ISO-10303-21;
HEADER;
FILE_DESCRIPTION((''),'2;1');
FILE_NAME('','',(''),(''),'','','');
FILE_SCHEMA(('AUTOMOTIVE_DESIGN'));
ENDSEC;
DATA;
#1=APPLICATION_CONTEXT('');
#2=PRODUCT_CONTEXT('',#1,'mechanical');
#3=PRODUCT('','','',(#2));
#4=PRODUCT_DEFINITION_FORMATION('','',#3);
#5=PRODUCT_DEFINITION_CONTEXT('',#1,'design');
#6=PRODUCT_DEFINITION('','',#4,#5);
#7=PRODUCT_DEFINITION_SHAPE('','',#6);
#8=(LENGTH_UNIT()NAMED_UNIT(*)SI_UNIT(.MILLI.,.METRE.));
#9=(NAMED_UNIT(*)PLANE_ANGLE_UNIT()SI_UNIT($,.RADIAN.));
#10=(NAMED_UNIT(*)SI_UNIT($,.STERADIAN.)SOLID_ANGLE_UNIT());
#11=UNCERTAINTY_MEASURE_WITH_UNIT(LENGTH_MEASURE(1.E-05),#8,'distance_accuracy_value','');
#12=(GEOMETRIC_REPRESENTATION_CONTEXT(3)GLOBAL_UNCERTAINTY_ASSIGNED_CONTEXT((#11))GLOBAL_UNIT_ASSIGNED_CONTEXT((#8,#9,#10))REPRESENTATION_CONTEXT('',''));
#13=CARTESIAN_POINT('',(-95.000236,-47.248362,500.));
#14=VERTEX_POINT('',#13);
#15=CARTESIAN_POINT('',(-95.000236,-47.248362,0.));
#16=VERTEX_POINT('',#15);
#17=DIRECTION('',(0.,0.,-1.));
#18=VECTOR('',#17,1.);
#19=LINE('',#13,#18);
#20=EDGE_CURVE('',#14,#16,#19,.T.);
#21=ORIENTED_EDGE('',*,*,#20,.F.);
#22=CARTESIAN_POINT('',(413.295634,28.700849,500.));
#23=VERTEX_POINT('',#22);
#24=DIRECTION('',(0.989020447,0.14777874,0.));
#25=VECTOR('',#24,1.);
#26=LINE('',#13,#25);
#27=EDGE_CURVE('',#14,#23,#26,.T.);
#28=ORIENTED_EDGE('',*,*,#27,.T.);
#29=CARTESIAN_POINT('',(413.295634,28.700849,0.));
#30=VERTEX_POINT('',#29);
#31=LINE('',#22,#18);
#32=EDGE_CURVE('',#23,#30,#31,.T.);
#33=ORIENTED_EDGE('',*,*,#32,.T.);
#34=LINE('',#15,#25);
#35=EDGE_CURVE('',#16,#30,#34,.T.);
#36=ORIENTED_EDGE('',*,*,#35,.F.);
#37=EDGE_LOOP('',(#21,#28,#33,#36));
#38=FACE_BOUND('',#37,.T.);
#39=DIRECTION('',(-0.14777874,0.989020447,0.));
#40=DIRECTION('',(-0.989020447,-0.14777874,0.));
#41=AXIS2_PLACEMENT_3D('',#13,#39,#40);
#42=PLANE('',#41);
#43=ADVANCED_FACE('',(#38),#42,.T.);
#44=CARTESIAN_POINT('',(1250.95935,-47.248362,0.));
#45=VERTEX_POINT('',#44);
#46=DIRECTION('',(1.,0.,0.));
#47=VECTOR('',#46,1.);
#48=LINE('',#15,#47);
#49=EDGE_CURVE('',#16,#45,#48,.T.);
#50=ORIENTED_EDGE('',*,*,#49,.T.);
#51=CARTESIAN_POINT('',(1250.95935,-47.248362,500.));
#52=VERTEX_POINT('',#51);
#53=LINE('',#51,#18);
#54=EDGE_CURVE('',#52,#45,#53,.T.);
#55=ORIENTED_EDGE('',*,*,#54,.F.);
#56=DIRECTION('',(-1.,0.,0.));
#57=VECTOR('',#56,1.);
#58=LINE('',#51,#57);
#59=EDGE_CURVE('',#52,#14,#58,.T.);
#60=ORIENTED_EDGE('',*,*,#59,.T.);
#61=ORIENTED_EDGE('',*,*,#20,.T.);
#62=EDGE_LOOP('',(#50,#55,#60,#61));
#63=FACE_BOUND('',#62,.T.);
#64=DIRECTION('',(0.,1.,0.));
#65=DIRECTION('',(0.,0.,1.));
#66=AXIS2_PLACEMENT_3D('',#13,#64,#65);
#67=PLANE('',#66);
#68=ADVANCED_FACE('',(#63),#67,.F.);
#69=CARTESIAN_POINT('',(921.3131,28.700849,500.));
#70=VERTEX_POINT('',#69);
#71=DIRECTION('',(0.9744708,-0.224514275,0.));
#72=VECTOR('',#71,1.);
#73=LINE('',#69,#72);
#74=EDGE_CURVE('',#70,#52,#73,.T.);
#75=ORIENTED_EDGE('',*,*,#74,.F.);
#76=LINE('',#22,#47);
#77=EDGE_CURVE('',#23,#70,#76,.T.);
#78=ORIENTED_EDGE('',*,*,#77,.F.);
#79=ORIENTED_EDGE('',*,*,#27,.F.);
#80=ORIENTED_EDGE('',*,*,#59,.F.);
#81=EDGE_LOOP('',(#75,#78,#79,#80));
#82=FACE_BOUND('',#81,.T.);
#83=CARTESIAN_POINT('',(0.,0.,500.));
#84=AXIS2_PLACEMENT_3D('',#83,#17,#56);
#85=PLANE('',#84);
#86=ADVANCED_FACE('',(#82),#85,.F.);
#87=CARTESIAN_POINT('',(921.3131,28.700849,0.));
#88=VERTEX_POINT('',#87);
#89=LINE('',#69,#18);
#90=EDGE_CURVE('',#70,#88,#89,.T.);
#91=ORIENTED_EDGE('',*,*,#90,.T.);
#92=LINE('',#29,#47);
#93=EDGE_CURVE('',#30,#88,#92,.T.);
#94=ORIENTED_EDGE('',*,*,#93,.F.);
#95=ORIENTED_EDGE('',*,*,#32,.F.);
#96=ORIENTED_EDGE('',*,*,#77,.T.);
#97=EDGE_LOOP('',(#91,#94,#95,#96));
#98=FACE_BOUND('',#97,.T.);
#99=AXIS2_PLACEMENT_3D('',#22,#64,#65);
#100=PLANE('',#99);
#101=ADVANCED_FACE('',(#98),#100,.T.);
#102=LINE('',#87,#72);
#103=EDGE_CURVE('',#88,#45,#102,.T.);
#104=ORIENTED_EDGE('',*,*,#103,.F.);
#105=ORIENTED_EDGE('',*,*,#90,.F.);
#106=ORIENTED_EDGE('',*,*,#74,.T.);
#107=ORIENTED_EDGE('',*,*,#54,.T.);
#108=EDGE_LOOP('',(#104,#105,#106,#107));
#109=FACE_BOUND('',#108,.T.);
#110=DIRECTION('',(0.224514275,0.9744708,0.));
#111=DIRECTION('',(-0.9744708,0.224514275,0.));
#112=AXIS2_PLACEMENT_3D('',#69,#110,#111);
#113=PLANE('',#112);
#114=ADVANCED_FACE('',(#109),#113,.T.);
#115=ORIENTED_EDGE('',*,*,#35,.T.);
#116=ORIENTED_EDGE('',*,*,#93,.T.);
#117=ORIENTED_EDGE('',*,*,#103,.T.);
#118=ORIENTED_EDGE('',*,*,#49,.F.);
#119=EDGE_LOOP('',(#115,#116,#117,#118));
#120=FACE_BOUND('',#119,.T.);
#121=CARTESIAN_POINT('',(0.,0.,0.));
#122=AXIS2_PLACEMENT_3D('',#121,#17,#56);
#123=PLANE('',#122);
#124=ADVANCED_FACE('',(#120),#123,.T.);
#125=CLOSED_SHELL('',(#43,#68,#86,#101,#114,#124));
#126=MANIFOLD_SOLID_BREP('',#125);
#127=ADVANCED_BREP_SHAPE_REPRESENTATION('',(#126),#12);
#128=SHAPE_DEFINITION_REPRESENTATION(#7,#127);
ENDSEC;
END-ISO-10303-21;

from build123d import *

# Parameters (mm, degrees)
EXTRUDE_1_DEPTH = 500


with BuildPart() as part:
    # 草图2 → 凸台-拉伸1 (new body)
    with BuildSketch(Plane.XY):
        Polygon((-95.000236101, -47.248362415), (921.313099911, -47.248362415), (1250.959349767, -47.248362415), (921.313099911, 28.700849047), (413.295633513, 28.700849047), align=None)
    extrude(amount=EXTRUDE_1_DEPTH)


solid = part.part
